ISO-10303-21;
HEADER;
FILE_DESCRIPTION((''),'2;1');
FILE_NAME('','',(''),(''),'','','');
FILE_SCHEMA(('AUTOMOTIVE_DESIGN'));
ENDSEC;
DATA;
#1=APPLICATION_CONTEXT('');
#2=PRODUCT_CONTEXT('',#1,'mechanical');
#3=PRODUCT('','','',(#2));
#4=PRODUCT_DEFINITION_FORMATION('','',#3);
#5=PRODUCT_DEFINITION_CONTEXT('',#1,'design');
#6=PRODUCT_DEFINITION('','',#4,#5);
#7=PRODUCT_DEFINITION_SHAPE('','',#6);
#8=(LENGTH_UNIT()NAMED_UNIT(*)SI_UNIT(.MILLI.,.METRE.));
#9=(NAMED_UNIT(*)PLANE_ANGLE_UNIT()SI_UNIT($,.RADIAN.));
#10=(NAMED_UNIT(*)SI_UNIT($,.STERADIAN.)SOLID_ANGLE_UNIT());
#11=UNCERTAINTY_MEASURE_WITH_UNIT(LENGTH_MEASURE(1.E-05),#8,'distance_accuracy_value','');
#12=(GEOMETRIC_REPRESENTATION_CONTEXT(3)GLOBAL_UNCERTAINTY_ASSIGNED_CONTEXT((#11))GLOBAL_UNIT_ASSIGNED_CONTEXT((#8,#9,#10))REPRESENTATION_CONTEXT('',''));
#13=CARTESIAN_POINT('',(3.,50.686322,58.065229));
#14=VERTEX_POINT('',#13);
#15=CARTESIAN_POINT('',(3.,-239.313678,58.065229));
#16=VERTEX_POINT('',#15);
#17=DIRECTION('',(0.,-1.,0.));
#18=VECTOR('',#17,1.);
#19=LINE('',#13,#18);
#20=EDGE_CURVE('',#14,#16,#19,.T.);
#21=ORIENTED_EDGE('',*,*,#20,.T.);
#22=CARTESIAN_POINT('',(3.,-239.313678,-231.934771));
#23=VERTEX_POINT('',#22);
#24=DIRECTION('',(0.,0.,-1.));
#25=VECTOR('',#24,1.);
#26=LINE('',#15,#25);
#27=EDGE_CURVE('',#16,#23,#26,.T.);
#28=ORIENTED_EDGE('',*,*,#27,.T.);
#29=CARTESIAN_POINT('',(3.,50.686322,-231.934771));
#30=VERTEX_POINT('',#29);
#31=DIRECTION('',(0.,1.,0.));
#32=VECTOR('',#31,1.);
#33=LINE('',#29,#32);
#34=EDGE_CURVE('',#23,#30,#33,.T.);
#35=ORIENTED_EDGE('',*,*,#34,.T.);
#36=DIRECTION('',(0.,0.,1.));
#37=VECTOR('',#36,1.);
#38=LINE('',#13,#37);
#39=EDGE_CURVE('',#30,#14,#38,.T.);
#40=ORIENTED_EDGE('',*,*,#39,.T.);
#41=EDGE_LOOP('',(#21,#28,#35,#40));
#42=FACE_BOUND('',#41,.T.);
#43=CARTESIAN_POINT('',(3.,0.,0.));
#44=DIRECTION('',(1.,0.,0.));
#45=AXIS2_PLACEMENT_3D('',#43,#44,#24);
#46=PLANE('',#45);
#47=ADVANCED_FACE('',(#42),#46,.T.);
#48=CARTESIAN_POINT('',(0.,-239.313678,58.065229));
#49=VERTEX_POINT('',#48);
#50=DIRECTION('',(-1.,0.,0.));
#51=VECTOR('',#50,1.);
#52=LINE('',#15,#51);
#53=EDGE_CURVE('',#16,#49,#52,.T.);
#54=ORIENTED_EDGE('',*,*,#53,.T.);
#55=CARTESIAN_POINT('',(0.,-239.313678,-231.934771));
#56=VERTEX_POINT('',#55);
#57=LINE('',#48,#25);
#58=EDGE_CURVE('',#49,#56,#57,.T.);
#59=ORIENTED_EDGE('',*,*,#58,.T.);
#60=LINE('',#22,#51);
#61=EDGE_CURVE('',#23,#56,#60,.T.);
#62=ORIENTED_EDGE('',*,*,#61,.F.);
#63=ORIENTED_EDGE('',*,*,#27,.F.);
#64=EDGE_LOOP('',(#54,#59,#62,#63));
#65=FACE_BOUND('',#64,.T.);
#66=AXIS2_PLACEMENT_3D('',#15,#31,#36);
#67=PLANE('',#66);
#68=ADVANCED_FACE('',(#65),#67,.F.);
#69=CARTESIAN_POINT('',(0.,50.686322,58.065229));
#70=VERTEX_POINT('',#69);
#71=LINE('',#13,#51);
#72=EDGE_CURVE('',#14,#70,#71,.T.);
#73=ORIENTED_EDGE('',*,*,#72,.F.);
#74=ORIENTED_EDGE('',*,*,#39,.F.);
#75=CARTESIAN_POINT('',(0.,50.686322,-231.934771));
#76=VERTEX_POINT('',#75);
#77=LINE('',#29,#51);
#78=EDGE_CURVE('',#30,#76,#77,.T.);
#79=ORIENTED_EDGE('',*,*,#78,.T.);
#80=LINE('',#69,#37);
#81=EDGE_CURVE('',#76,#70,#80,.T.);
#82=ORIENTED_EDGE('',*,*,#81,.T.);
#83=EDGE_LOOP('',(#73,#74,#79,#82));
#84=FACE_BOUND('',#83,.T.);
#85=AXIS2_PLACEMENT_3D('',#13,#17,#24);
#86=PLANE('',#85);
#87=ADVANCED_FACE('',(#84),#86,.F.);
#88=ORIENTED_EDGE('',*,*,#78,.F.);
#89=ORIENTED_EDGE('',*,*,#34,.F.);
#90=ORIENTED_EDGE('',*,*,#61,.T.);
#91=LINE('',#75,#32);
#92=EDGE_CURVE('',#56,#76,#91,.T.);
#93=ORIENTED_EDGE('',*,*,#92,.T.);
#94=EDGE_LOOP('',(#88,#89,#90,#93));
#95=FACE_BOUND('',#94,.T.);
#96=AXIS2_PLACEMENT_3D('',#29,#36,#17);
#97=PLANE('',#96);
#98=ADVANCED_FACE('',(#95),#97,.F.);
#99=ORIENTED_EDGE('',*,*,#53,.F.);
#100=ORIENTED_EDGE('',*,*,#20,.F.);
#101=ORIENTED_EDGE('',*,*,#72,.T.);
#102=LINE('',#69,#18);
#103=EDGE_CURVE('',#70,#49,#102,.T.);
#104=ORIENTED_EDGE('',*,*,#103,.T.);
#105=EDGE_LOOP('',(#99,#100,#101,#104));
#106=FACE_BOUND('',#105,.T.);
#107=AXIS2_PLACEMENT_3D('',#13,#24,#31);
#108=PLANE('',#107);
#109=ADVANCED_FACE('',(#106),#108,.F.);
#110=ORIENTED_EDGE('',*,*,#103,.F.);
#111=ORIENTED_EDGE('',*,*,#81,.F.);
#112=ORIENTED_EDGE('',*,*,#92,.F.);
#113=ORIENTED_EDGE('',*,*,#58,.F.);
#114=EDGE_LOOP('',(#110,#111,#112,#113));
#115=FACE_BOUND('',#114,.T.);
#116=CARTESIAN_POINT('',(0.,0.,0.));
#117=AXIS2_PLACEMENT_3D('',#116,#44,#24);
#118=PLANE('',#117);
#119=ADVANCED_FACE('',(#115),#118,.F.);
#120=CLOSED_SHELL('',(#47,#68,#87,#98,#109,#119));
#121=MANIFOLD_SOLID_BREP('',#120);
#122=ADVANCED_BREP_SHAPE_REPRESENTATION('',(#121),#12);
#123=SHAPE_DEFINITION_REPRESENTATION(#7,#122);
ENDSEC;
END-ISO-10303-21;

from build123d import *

# Parameters (mm, degrees)
SKETCH_2_W      = 290
SKETCH_2_H      = 290
EXTRUDE_1_DEPTH = 3


with BuildPart() as part:
    # 草图2 → 凸台-拉伸1 (new body)
    with BuildSketch(Plane(origin=(0, 0, 0), x_dir=(0, 0, -1), z_dir=(1, 0, 0))):
        with Locations((86.934771341, -94.313678499)):
            Rectangle(SKETCH_2_W, SKETCH_2_H)
    extrude(amount=EXTRUDE_1_DEPTH)


solid = part.part
